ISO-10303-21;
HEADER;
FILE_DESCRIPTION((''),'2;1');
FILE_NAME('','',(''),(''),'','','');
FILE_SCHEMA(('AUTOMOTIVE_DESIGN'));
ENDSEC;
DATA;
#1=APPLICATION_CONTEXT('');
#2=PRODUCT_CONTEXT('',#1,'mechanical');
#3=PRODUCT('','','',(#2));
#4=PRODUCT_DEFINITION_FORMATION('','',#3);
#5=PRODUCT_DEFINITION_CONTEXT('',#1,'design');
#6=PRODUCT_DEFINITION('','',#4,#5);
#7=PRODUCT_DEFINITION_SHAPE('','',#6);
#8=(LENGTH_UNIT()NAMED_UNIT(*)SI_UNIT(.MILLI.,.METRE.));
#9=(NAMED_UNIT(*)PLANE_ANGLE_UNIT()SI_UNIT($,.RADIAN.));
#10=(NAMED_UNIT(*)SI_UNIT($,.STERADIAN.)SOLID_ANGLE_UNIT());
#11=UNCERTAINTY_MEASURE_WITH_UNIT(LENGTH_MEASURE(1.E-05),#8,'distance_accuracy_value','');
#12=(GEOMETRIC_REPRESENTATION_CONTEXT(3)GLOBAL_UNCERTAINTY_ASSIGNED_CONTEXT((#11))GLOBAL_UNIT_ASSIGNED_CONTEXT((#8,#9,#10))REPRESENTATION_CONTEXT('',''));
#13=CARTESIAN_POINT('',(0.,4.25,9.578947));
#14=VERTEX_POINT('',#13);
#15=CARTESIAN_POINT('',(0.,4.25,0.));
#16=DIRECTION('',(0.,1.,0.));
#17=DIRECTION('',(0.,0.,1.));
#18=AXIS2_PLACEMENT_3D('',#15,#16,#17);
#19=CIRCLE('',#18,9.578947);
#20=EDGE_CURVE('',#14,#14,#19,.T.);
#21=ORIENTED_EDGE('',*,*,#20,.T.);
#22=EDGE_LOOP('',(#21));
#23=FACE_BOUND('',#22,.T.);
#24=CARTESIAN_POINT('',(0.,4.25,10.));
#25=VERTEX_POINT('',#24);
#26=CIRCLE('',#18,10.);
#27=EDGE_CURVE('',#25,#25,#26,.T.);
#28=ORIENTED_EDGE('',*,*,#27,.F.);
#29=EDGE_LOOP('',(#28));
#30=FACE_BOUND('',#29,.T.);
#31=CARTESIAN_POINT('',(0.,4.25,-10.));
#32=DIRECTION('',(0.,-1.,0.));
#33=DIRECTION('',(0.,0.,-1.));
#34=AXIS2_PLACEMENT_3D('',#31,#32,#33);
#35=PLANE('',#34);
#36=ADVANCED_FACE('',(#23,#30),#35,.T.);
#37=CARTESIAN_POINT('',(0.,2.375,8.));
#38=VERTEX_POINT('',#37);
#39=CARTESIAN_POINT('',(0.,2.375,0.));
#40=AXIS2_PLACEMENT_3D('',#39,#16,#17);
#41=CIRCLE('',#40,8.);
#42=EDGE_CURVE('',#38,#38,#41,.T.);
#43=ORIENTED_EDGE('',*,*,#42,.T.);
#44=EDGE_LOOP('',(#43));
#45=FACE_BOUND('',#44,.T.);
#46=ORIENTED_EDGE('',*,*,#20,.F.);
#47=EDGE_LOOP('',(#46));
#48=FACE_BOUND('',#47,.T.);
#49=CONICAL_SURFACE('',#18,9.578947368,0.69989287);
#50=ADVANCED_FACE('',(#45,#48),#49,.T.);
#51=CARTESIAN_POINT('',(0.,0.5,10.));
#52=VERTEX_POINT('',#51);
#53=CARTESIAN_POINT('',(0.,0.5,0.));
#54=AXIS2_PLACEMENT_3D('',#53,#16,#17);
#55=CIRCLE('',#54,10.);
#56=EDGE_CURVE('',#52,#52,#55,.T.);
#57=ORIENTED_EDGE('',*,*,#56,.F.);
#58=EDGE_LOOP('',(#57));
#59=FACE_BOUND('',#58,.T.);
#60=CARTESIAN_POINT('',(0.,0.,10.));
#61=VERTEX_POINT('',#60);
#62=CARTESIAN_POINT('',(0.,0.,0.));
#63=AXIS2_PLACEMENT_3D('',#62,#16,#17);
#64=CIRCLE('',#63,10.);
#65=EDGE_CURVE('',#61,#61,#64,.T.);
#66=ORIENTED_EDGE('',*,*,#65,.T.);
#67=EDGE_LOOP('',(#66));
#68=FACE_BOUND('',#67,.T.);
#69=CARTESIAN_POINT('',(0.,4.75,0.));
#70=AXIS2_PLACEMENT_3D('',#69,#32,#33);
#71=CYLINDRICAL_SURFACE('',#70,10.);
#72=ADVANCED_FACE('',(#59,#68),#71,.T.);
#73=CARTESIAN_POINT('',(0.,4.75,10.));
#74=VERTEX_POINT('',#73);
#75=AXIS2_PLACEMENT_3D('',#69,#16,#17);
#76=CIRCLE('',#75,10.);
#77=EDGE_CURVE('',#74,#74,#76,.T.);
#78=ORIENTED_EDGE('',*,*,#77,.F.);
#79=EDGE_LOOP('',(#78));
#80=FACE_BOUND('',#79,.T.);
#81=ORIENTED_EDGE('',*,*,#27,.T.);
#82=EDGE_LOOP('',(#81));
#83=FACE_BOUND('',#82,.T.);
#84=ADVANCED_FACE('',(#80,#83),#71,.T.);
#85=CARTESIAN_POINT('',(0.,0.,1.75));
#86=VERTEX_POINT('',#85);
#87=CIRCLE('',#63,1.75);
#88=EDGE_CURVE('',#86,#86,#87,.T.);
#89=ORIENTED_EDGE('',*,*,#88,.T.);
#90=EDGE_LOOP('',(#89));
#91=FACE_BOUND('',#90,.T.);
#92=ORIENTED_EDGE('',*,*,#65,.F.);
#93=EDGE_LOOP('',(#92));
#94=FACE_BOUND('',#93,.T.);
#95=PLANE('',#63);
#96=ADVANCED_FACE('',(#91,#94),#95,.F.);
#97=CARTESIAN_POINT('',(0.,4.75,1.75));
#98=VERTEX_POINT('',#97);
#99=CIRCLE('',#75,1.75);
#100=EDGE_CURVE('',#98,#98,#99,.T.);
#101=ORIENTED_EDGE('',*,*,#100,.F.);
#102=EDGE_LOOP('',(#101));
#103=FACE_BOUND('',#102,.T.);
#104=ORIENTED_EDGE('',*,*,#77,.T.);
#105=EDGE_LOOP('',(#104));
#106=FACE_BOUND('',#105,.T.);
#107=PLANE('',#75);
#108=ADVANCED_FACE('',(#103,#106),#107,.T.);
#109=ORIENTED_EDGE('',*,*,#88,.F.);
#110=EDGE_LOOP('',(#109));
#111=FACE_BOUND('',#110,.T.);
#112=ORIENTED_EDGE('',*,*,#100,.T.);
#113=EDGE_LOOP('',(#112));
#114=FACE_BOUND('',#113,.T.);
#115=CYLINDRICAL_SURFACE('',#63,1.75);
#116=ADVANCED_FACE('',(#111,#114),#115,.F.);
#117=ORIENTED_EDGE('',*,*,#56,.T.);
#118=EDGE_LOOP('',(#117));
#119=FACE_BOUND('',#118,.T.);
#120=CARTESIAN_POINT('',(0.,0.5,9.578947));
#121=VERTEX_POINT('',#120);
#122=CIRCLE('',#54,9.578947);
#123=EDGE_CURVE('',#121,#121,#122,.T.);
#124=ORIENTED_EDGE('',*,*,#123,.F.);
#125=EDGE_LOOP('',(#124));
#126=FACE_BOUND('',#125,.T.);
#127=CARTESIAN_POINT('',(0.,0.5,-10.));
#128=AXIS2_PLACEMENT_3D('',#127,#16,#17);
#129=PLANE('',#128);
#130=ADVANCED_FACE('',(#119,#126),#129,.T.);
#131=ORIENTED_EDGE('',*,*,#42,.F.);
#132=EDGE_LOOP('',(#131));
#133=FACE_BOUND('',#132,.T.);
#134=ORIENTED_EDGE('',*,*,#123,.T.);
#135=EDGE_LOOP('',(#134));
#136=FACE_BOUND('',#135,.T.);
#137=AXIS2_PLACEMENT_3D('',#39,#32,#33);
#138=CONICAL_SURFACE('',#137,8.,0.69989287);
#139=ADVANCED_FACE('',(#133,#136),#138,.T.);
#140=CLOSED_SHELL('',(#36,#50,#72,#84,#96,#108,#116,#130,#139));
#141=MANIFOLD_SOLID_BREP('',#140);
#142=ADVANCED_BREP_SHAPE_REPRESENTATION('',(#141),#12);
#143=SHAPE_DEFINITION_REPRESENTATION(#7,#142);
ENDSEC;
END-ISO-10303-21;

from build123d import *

# Parameters (mm, degrees)
SKETCH1_R           = 10
BOSS_EXTRUDE1_DEPTH = 4.75
SKETCH3_R           = 1.75
CUT_EXTRUDE1_DEPTH  = 4.75


with BuildPart() as part:
    # Sketch1 → Boss-Extrude1 (new body)
    with BuildSketch(Plane(origin=(0, 0, 0), x_dir=(1, 0, 0), z_dir=(0, 1, 0))):
        with Locations(Location((0, 0, 0), (0, 0, 270))):
            Circle(SKETCH1_R)
    extrude(amount=BOSS_EXTRUDE1_DEPTH)

    # Sketch2 → Cut-Revolve1 (revolve, cut)
    with BuildSketch(Plane(origin=(0, 0, 0), x_dir=(0, 0, -1), z_dir=(1, 0, 0)), mode=Mode.PRIVATE) as cut_revolve1_sk:
        Polygon((9.578947368, 4.25), (8, 2.375), (9.578947368, 0.5), (10, 0.5), (10, 4.25), align=None)
    revolve(cut_revolve1_sk.sketch.rotate(Axis((0, 4.75, 0), (0, -1, 0)), 180), axis=Axis((0, 4.75, 0), (0, -1, 0)), mode=Mode.SUBTRACT)

    # Sketch3 → Cut-Extrude1 (cut)
    with BuildSketch(Plane(origin=(0, 4.75, 0), x_dir=(1, 0, 0), z_dir=(0, 1, 0))):
        with Locations(Location((0, 0, 0), (0, 0, 270))):
            Circle(SKETCH3_R)
    extrude(amount=-CUT_EXTRUDE1_DEPTH, mode=Mode.SUBTRACT)


solid = part.part
